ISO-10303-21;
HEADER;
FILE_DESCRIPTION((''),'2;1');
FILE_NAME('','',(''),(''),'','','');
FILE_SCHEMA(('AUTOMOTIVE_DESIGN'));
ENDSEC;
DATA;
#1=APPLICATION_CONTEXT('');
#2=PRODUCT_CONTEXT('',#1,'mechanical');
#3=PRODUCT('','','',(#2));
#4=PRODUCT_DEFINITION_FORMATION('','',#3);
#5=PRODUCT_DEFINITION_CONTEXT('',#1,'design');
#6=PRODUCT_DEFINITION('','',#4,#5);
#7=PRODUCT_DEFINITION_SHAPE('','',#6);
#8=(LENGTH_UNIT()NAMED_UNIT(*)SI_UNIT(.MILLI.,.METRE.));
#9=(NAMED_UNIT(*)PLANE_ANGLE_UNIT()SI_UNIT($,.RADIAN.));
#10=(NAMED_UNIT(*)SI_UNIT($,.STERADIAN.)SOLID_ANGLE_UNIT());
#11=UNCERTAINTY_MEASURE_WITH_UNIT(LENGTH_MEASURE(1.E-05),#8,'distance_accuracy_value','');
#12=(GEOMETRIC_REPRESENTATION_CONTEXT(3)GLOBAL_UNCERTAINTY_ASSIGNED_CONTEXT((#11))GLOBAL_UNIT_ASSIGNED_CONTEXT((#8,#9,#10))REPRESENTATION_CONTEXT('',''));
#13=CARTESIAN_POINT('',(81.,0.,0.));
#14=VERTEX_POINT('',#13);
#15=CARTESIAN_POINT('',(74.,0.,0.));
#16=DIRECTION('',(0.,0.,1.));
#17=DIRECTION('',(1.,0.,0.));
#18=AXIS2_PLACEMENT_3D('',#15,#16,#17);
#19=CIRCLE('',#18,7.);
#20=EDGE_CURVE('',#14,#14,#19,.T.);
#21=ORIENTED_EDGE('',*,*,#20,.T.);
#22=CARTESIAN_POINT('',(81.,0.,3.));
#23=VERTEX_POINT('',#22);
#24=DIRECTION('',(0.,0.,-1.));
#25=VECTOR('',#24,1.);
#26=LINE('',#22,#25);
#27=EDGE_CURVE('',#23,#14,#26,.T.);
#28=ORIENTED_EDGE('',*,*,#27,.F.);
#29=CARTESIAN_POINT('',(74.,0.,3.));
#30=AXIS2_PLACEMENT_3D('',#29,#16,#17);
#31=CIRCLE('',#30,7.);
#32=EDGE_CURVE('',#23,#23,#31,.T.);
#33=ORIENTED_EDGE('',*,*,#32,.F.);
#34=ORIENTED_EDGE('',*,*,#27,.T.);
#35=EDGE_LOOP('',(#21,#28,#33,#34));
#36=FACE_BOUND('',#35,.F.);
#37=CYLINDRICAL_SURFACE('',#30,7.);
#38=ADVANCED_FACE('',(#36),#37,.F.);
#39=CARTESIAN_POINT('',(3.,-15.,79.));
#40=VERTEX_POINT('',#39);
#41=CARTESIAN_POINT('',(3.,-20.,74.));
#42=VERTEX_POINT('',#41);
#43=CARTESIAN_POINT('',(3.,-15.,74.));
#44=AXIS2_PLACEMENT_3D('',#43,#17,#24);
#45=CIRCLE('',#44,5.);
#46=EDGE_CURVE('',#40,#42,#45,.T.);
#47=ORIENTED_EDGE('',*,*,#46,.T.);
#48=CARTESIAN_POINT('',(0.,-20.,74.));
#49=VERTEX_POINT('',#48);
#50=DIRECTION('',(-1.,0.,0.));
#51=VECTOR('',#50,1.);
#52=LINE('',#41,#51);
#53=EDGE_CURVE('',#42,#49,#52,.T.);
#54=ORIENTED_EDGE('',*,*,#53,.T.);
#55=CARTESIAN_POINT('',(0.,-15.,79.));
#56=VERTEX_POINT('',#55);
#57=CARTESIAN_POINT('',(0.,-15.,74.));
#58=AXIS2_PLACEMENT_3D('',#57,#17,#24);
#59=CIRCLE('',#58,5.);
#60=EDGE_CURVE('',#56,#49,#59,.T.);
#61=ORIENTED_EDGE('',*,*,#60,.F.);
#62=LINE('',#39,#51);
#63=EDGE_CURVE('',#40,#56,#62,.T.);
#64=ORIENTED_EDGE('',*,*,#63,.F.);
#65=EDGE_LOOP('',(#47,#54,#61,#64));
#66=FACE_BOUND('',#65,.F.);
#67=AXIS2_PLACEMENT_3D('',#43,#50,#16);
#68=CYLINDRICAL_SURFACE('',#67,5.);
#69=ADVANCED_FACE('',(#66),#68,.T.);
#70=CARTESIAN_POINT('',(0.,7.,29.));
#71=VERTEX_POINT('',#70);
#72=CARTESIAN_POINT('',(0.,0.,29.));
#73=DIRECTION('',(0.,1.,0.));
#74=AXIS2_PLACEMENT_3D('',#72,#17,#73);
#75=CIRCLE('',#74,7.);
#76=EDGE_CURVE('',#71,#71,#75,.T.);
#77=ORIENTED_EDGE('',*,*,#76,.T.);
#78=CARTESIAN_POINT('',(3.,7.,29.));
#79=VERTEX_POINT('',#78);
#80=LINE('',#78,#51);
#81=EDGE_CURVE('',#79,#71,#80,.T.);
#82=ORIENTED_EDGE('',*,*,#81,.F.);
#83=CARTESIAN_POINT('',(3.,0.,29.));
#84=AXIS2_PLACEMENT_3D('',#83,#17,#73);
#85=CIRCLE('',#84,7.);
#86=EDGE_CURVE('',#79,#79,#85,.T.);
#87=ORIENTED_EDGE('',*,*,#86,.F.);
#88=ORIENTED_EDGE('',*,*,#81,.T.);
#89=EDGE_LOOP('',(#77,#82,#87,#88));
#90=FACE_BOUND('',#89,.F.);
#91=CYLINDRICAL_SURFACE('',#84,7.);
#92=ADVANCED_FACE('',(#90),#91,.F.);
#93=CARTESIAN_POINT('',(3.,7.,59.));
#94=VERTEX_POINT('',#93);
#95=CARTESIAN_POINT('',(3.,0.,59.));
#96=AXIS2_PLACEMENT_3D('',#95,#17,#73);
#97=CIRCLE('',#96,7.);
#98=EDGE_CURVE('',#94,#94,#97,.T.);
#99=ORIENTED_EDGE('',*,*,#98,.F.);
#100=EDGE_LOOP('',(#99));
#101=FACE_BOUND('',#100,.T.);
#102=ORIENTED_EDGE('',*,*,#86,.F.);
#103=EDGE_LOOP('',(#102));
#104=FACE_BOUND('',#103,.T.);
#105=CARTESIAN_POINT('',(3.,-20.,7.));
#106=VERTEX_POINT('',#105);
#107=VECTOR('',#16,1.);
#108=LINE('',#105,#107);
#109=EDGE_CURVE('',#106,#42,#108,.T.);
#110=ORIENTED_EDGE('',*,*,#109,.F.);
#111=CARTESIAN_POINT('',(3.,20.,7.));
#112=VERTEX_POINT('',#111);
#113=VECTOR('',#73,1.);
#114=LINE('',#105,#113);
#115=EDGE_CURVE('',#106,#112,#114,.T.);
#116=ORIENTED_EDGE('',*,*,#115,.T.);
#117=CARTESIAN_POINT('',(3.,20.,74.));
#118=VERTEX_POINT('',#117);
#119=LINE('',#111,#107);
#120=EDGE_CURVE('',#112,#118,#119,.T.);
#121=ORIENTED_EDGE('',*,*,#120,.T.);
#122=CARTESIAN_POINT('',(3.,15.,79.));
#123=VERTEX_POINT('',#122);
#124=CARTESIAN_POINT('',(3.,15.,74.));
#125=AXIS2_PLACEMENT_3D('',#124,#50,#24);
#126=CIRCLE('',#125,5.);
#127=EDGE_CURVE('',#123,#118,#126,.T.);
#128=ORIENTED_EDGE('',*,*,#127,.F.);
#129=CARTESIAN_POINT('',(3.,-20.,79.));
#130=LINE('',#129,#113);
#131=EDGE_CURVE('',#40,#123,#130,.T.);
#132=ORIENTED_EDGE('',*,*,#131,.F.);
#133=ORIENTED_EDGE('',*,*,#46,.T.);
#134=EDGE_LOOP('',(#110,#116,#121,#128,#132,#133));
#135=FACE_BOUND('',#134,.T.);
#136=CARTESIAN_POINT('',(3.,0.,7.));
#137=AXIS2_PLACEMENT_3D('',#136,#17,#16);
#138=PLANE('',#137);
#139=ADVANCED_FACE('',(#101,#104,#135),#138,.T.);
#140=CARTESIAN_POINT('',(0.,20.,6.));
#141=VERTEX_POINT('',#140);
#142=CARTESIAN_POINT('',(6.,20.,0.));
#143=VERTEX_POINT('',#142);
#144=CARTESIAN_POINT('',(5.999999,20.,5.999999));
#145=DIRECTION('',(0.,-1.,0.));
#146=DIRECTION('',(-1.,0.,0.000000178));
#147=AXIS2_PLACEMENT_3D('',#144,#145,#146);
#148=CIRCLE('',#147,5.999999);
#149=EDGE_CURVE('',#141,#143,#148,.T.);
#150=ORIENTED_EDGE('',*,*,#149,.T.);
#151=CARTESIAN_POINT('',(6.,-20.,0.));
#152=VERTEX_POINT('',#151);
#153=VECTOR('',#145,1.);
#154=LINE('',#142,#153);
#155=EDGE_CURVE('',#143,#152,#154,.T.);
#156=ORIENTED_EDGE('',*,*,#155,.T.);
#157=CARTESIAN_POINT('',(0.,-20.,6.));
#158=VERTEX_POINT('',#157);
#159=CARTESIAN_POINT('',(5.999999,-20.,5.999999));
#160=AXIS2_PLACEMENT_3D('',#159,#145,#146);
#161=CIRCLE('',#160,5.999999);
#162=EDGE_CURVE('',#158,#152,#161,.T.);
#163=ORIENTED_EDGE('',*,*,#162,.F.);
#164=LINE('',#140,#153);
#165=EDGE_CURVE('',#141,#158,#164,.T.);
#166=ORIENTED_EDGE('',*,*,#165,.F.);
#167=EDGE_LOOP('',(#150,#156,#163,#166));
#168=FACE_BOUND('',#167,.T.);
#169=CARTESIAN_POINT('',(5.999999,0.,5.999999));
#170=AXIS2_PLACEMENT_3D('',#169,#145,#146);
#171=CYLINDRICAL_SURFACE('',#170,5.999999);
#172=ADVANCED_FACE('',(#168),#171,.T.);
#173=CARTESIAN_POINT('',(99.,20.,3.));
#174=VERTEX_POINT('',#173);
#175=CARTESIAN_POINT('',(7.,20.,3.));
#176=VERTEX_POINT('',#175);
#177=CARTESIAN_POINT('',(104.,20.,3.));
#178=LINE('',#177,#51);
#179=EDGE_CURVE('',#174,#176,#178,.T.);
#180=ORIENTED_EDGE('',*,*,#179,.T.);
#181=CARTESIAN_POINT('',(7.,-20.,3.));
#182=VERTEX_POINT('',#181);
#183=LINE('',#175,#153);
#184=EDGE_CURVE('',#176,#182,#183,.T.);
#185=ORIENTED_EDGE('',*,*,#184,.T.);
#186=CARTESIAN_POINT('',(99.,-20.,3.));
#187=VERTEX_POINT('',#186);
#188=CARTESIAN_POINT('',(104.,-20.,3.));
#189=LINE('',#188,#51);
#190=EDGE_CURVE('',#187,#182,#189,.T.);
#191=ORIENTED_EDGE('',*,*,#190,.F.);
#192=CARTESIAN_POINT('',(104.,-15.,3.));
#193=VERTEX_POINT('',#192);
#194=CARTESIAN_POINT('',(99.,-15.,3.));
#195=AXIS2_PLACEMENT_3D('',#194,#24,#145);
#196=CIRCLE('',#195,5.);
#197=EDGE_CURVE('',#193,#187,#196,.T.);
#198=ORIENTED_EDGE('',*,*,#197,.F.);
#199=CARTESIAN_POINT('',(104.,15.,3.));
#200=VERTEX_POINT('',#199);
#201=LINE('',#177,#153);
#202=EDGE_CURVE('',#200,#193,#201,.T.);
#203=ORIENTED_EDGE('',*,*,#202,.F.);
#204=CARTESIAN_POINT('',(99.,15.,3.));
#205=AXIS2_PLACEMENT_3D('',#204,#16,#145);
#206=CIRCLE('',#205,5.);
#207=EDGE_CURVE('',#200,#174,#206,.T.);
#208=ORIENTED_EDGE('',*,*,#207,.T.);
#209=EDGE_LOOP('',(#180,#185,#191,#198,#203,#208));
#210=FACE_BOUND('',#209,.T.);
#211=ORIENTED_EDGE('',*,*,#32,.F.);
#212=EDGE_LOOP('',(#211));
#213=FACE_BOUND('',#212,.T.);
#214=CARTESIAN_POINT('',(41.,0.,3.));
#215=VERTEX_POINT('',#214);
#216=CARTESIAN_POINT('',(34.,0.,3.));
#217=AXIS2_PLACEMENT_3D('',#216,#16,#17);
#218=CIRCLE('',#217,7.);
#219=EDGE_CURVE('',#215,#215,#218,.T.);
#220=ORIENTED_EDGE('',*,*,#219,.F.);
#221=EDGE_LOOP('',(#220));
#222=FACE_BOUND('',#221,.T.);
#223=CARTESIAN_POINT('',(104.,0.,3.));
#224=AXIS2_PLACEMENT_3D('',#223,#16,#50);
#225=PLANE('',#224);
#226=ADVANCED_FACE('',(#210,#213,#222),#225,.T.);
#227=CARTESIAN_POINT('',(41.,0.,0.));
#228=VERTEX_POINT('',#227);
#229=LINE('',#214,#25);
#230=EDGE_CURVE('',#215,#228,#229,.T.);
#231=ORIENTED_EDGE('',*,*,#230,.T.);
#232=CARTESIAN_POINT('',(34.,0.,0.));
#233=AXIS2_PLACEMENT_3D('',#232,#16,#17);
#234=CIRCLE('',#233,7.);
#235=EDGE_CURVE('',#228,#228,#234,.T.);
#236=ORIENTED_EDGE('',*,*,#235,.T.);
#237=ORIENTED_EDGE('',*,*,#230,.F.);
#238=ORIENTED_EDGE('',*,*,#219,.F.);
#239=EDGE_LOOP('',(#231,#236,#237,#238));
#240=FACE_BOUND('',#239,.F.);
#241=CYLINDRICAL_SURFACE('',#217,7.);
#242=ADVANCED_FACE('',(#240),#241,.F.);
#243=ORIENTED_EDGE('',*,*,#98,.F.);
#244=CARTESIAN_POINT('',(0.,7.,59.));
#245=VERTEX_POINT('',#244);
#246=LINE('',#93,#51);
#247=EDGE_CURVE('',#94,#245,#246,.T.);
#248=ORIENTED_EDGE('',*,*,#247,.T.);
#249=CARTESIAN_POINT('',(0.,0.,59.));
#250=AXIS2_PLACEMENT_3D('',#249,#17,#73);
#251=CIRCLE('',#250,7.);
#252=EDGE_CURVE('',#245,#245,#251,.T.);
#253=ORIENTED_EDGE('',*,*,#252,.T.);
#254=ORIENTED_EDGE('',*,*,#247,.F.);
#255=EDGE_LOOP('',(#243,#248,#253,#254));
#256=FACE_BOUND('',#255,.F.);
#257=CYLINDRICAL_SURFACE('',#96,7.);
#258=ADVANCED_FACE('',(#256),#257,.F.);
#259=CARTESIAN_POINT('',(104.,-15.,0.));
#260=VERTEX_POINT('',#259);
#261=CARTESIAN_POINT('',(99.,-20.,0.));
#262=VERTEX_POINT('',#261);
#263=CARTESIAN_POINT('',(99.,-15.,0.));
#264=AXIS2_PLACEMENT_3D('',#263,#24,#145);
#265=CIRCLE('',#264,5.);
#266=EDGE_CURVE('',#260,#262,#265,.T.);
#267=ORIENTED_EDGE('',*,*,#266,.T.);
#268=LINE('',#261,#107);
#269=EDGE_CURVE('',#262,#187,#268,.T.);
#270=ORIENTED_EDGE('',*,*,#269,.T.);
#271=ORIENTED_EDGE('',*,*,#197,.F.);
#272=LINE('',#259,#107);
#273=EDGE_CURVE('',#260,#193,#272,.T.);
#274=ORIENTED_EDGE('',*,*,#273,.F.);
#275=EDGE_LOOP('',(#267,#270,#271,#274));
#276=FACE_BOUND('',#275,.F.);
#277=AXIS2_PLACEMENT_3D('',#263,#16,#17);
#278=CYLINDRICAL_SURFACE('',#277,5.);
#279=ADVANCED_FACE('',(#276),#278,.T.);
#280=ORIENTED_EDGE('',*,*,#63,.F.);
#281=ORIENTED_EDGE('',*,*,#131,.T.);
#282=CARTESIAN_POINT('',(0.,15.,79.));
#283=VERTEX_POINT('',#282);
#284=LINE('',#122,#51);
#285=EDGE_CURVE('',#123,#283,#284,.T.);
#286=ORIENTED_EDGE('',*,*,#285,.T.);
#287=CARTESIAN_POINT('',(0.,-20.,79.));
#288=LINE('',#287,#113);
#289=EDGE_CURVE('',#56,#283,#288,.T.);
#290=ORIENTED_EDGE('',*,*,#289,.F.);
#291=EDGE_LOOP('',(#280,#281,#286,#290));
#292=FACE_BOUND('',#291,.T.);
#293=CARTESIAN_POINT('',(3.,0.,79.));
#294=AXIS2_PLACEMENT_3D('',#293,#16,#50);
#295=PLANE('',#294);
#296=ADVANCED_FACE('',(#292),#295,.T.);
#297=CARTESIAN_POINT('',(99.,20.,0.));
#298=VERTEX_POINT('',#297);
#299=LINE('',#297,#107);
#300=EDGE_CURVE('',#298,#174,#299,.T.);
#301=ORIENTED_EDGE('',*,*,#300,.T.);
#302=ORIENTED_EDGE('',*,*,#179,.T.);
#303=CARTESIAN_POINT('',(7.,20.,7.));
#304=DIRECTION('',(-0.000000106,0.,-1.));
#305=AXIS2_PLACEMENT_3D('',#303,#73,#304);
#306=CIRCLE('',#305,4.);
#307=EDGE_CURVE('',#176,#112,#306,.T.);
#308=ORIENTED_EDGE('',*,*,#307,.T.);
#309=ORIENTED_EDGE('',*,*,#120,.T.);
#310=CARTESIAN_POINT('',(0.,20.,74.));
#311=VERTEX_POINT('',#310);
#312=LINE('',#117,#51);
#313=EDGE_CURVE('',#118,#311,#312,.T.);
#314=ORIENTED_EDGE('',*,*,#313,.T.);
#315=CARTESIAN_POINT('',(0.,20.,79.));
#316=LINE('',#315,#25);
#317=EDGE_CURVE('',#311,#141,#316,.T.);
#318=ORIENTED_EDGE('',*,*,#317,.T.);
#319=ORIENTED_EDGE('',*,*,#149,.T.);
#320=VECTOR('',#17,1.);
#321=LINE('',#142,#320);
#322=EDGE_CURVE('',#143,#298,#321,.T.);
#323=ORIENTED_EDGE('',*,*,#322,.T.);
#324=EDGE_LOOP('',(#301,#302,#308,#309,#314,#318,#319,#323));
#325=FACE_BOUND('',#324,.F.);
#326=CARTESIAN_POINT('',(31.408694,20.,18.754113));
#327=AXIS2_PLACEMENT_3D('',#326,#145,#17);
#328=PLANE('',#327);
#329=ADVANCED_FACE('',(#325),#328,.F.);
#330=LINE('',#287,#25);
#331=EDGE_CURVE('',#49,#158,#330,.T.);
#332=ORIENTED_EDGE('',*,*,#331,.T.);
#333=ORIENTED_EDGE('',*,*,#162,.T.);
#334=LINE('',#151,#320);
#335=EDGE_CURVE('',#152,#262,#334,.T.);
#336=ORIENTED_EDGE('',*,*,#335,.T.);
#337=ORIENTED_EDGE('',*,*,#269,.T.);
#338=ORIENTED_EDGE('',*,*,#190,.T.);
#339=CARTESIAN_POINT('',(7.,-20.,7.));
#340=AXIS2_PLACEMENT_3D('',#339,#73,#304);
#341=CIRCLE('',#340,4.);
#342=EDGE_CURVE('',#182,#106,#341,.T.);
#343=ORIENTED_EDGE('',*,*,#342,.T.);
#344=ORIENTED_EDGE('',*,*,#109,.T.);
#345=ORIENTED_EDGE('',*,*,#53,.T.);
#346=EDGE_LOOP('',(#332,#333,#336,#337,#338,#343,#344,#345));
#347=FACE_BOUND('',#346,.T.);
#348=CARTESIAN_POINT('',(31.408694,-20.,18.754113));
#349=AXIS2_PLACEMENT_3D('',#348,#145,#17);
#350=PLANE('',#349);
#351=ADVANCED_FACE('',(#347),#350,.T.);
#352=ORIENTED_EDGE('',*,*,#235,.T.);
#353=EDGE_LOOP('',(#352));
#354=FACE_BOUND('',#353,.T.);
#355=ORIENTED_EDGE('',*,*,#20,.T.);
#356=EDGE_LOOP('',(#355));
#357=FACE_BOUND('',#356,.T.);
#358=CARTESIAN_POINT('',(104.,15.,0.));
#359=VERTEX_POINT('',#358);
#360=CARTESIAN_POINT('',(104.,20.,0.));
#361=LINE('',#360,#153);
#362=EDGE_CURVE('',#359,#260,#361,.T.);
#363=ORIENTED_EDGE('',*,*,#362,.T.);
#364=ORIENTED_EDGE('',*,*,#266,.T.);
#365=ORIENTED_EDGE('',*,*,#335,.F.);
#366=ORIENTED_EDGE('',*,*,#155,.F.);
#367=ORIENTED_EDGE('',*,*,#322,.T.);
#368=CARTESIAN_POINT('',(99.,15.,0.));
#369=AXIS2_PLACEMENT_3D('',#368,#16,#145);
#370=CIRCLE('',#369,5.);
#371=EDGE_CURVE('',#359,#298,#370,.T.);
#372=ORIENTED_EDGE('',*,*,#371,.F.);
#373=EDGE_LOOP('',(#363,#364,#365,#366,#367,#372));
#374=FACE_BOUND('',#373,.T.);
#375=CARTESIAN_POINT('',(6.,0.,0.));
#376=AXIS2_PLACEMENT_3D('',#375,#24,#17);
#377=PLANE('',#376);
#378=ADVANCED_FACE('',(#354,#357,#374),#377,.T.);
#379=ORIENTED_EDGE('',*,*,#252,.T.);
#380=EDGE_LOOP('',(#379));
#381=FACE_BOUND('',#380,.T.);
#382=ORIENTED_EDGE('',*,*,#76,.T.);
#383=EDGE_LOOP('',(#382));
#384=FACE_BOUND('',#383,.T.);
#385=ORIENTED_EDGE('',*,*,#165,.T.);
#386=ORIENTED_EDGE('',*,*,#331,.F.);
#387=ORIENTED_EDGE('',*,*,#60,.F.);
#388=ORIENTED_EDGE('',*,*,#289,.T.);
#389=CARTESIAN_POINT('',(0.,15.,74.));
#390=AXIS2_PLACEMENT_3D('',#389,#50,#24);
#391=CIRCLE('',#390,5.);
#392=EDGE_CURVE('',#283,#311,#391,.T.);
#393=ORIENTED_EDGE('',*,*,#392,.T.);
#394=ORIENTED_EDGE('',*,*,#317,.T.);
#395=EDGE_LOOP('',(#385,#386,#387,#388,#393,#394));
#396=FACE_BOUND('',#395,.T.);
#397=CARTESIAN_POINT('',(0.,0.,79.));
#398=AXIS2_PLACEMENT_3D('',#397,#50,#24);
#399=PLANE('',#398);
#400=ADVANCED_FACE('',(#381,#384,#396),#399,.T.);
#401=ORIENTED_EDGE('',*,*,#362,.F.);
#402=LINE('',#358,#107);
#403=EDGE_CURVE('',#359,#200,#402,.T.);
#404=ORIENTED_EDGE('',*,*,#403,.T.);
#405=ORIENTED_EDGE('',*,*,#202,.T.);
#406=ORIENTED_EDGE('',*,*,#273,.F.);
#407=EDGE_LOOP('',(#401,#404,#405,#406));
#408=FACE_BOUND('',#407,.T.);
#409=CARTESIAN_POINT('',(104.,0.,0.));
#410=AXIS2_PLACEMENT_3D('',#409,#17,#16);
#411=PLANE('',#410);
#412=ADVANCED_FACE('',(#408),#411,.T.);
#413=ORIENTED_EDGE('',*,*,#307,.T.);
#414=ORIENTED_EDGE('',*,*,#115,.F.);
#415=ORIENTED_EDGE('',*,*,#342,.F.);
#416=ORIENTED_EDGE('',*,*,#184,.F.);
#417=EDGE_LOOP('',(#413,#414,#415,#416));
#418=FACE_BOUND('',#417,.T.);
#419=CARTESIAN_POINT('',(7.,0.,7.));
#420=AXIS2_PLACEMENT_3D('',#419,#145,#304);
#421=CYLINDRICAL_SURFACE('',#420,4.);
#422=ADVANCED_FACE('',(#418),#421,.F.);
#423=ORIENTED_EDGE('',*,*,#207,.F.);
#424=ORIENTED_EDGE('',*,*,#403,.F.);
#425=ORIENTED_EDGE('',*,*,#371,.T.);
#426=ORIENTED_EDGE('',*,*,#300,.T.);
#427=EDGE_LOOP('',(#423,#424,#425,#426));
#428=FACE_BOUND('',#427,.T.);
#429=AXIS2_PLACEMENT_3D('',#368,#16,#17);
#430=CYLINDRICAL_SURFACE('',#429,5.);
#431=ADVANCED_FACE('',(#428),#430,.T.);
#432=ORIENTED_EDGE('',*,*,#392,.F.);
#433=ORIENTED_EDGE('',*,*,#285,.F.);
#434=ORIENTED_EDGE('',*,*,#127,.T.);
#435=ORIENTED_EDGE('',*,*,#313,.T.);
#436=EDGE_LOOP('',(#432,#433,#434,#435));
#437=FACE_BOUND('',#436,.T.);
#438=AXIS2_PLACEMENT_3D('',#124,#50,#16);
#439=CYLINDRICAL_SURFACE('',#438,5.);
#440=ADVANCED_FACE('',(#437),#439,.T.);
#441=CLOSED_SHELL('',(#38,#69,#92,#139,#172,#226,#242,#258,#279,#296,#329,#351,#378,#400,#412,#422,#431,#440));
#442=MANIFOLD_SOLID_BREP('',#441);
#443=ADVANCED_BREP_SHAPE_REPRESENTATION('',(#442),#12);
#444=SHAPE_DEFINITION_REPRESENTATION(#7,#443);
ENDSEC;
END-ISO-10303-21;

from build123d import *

# Parameters (mm, degrees)
F1_DEPTH = 20
F2_R     = 5
F3_R     = 7
F4_DEPTH = 25
F5_R     = 7
F6_DEPTH = 25


with BuildPart() as f1:
    # F0 (on Front) → F1 (new body, symmetric)
    with BuildSketch(Plane.XZ):
        with BuildLine():
            Line((0, 79), (0, 6))
            ThreePointArc((0, 6), (1.757359, 1.757359), (6, 0))
            Line((6, 0), (104, 0))
            Line((104, 0), (104, 3))
            Line((104, 3), (7, 3))
            ThreePointArc((7, 3), (4.171573, 4.171573), (3, 7))
            Line((3, 7), (3, 79))
            Line((3, 79), (0, 79))
        make_face()
    extrude(amount=F1_DEPTH, both=True)

    # F2
    f2_edges = [f1.edges().sort_by_distance(p)[0] for p in [
        (1.5, -20, 79),
        (1.5, 20, 79),
        (104, 20, 1.5),
        (104, -20, 1.5),
    ]]
    fillet(f2_edges, radius=F2_R)

    # F3 (on face) → F4 (cut)
    with BuildSketch(Plane.XY.offset(3)):
        with Locations((34, 0)):
            Circle(F3_R)
        with Locations((74, 0)):
            Circle(F3_R)
    extrude(amount=-F4_DEPTH, mode=Mode.SUBTRACT)

    # F5 (on face) → F6 (cut)
    with BuildSketch(Plane.YZ.offset(3)):
        with Locations((0, 59)):
            Circle(F5_R)
        with Locations((0, 29)):
            Circle(F5_R)
    extrude(amount=-F6_DEPTH, mode=Mode.SUBTRACT)


solid = f1.part
